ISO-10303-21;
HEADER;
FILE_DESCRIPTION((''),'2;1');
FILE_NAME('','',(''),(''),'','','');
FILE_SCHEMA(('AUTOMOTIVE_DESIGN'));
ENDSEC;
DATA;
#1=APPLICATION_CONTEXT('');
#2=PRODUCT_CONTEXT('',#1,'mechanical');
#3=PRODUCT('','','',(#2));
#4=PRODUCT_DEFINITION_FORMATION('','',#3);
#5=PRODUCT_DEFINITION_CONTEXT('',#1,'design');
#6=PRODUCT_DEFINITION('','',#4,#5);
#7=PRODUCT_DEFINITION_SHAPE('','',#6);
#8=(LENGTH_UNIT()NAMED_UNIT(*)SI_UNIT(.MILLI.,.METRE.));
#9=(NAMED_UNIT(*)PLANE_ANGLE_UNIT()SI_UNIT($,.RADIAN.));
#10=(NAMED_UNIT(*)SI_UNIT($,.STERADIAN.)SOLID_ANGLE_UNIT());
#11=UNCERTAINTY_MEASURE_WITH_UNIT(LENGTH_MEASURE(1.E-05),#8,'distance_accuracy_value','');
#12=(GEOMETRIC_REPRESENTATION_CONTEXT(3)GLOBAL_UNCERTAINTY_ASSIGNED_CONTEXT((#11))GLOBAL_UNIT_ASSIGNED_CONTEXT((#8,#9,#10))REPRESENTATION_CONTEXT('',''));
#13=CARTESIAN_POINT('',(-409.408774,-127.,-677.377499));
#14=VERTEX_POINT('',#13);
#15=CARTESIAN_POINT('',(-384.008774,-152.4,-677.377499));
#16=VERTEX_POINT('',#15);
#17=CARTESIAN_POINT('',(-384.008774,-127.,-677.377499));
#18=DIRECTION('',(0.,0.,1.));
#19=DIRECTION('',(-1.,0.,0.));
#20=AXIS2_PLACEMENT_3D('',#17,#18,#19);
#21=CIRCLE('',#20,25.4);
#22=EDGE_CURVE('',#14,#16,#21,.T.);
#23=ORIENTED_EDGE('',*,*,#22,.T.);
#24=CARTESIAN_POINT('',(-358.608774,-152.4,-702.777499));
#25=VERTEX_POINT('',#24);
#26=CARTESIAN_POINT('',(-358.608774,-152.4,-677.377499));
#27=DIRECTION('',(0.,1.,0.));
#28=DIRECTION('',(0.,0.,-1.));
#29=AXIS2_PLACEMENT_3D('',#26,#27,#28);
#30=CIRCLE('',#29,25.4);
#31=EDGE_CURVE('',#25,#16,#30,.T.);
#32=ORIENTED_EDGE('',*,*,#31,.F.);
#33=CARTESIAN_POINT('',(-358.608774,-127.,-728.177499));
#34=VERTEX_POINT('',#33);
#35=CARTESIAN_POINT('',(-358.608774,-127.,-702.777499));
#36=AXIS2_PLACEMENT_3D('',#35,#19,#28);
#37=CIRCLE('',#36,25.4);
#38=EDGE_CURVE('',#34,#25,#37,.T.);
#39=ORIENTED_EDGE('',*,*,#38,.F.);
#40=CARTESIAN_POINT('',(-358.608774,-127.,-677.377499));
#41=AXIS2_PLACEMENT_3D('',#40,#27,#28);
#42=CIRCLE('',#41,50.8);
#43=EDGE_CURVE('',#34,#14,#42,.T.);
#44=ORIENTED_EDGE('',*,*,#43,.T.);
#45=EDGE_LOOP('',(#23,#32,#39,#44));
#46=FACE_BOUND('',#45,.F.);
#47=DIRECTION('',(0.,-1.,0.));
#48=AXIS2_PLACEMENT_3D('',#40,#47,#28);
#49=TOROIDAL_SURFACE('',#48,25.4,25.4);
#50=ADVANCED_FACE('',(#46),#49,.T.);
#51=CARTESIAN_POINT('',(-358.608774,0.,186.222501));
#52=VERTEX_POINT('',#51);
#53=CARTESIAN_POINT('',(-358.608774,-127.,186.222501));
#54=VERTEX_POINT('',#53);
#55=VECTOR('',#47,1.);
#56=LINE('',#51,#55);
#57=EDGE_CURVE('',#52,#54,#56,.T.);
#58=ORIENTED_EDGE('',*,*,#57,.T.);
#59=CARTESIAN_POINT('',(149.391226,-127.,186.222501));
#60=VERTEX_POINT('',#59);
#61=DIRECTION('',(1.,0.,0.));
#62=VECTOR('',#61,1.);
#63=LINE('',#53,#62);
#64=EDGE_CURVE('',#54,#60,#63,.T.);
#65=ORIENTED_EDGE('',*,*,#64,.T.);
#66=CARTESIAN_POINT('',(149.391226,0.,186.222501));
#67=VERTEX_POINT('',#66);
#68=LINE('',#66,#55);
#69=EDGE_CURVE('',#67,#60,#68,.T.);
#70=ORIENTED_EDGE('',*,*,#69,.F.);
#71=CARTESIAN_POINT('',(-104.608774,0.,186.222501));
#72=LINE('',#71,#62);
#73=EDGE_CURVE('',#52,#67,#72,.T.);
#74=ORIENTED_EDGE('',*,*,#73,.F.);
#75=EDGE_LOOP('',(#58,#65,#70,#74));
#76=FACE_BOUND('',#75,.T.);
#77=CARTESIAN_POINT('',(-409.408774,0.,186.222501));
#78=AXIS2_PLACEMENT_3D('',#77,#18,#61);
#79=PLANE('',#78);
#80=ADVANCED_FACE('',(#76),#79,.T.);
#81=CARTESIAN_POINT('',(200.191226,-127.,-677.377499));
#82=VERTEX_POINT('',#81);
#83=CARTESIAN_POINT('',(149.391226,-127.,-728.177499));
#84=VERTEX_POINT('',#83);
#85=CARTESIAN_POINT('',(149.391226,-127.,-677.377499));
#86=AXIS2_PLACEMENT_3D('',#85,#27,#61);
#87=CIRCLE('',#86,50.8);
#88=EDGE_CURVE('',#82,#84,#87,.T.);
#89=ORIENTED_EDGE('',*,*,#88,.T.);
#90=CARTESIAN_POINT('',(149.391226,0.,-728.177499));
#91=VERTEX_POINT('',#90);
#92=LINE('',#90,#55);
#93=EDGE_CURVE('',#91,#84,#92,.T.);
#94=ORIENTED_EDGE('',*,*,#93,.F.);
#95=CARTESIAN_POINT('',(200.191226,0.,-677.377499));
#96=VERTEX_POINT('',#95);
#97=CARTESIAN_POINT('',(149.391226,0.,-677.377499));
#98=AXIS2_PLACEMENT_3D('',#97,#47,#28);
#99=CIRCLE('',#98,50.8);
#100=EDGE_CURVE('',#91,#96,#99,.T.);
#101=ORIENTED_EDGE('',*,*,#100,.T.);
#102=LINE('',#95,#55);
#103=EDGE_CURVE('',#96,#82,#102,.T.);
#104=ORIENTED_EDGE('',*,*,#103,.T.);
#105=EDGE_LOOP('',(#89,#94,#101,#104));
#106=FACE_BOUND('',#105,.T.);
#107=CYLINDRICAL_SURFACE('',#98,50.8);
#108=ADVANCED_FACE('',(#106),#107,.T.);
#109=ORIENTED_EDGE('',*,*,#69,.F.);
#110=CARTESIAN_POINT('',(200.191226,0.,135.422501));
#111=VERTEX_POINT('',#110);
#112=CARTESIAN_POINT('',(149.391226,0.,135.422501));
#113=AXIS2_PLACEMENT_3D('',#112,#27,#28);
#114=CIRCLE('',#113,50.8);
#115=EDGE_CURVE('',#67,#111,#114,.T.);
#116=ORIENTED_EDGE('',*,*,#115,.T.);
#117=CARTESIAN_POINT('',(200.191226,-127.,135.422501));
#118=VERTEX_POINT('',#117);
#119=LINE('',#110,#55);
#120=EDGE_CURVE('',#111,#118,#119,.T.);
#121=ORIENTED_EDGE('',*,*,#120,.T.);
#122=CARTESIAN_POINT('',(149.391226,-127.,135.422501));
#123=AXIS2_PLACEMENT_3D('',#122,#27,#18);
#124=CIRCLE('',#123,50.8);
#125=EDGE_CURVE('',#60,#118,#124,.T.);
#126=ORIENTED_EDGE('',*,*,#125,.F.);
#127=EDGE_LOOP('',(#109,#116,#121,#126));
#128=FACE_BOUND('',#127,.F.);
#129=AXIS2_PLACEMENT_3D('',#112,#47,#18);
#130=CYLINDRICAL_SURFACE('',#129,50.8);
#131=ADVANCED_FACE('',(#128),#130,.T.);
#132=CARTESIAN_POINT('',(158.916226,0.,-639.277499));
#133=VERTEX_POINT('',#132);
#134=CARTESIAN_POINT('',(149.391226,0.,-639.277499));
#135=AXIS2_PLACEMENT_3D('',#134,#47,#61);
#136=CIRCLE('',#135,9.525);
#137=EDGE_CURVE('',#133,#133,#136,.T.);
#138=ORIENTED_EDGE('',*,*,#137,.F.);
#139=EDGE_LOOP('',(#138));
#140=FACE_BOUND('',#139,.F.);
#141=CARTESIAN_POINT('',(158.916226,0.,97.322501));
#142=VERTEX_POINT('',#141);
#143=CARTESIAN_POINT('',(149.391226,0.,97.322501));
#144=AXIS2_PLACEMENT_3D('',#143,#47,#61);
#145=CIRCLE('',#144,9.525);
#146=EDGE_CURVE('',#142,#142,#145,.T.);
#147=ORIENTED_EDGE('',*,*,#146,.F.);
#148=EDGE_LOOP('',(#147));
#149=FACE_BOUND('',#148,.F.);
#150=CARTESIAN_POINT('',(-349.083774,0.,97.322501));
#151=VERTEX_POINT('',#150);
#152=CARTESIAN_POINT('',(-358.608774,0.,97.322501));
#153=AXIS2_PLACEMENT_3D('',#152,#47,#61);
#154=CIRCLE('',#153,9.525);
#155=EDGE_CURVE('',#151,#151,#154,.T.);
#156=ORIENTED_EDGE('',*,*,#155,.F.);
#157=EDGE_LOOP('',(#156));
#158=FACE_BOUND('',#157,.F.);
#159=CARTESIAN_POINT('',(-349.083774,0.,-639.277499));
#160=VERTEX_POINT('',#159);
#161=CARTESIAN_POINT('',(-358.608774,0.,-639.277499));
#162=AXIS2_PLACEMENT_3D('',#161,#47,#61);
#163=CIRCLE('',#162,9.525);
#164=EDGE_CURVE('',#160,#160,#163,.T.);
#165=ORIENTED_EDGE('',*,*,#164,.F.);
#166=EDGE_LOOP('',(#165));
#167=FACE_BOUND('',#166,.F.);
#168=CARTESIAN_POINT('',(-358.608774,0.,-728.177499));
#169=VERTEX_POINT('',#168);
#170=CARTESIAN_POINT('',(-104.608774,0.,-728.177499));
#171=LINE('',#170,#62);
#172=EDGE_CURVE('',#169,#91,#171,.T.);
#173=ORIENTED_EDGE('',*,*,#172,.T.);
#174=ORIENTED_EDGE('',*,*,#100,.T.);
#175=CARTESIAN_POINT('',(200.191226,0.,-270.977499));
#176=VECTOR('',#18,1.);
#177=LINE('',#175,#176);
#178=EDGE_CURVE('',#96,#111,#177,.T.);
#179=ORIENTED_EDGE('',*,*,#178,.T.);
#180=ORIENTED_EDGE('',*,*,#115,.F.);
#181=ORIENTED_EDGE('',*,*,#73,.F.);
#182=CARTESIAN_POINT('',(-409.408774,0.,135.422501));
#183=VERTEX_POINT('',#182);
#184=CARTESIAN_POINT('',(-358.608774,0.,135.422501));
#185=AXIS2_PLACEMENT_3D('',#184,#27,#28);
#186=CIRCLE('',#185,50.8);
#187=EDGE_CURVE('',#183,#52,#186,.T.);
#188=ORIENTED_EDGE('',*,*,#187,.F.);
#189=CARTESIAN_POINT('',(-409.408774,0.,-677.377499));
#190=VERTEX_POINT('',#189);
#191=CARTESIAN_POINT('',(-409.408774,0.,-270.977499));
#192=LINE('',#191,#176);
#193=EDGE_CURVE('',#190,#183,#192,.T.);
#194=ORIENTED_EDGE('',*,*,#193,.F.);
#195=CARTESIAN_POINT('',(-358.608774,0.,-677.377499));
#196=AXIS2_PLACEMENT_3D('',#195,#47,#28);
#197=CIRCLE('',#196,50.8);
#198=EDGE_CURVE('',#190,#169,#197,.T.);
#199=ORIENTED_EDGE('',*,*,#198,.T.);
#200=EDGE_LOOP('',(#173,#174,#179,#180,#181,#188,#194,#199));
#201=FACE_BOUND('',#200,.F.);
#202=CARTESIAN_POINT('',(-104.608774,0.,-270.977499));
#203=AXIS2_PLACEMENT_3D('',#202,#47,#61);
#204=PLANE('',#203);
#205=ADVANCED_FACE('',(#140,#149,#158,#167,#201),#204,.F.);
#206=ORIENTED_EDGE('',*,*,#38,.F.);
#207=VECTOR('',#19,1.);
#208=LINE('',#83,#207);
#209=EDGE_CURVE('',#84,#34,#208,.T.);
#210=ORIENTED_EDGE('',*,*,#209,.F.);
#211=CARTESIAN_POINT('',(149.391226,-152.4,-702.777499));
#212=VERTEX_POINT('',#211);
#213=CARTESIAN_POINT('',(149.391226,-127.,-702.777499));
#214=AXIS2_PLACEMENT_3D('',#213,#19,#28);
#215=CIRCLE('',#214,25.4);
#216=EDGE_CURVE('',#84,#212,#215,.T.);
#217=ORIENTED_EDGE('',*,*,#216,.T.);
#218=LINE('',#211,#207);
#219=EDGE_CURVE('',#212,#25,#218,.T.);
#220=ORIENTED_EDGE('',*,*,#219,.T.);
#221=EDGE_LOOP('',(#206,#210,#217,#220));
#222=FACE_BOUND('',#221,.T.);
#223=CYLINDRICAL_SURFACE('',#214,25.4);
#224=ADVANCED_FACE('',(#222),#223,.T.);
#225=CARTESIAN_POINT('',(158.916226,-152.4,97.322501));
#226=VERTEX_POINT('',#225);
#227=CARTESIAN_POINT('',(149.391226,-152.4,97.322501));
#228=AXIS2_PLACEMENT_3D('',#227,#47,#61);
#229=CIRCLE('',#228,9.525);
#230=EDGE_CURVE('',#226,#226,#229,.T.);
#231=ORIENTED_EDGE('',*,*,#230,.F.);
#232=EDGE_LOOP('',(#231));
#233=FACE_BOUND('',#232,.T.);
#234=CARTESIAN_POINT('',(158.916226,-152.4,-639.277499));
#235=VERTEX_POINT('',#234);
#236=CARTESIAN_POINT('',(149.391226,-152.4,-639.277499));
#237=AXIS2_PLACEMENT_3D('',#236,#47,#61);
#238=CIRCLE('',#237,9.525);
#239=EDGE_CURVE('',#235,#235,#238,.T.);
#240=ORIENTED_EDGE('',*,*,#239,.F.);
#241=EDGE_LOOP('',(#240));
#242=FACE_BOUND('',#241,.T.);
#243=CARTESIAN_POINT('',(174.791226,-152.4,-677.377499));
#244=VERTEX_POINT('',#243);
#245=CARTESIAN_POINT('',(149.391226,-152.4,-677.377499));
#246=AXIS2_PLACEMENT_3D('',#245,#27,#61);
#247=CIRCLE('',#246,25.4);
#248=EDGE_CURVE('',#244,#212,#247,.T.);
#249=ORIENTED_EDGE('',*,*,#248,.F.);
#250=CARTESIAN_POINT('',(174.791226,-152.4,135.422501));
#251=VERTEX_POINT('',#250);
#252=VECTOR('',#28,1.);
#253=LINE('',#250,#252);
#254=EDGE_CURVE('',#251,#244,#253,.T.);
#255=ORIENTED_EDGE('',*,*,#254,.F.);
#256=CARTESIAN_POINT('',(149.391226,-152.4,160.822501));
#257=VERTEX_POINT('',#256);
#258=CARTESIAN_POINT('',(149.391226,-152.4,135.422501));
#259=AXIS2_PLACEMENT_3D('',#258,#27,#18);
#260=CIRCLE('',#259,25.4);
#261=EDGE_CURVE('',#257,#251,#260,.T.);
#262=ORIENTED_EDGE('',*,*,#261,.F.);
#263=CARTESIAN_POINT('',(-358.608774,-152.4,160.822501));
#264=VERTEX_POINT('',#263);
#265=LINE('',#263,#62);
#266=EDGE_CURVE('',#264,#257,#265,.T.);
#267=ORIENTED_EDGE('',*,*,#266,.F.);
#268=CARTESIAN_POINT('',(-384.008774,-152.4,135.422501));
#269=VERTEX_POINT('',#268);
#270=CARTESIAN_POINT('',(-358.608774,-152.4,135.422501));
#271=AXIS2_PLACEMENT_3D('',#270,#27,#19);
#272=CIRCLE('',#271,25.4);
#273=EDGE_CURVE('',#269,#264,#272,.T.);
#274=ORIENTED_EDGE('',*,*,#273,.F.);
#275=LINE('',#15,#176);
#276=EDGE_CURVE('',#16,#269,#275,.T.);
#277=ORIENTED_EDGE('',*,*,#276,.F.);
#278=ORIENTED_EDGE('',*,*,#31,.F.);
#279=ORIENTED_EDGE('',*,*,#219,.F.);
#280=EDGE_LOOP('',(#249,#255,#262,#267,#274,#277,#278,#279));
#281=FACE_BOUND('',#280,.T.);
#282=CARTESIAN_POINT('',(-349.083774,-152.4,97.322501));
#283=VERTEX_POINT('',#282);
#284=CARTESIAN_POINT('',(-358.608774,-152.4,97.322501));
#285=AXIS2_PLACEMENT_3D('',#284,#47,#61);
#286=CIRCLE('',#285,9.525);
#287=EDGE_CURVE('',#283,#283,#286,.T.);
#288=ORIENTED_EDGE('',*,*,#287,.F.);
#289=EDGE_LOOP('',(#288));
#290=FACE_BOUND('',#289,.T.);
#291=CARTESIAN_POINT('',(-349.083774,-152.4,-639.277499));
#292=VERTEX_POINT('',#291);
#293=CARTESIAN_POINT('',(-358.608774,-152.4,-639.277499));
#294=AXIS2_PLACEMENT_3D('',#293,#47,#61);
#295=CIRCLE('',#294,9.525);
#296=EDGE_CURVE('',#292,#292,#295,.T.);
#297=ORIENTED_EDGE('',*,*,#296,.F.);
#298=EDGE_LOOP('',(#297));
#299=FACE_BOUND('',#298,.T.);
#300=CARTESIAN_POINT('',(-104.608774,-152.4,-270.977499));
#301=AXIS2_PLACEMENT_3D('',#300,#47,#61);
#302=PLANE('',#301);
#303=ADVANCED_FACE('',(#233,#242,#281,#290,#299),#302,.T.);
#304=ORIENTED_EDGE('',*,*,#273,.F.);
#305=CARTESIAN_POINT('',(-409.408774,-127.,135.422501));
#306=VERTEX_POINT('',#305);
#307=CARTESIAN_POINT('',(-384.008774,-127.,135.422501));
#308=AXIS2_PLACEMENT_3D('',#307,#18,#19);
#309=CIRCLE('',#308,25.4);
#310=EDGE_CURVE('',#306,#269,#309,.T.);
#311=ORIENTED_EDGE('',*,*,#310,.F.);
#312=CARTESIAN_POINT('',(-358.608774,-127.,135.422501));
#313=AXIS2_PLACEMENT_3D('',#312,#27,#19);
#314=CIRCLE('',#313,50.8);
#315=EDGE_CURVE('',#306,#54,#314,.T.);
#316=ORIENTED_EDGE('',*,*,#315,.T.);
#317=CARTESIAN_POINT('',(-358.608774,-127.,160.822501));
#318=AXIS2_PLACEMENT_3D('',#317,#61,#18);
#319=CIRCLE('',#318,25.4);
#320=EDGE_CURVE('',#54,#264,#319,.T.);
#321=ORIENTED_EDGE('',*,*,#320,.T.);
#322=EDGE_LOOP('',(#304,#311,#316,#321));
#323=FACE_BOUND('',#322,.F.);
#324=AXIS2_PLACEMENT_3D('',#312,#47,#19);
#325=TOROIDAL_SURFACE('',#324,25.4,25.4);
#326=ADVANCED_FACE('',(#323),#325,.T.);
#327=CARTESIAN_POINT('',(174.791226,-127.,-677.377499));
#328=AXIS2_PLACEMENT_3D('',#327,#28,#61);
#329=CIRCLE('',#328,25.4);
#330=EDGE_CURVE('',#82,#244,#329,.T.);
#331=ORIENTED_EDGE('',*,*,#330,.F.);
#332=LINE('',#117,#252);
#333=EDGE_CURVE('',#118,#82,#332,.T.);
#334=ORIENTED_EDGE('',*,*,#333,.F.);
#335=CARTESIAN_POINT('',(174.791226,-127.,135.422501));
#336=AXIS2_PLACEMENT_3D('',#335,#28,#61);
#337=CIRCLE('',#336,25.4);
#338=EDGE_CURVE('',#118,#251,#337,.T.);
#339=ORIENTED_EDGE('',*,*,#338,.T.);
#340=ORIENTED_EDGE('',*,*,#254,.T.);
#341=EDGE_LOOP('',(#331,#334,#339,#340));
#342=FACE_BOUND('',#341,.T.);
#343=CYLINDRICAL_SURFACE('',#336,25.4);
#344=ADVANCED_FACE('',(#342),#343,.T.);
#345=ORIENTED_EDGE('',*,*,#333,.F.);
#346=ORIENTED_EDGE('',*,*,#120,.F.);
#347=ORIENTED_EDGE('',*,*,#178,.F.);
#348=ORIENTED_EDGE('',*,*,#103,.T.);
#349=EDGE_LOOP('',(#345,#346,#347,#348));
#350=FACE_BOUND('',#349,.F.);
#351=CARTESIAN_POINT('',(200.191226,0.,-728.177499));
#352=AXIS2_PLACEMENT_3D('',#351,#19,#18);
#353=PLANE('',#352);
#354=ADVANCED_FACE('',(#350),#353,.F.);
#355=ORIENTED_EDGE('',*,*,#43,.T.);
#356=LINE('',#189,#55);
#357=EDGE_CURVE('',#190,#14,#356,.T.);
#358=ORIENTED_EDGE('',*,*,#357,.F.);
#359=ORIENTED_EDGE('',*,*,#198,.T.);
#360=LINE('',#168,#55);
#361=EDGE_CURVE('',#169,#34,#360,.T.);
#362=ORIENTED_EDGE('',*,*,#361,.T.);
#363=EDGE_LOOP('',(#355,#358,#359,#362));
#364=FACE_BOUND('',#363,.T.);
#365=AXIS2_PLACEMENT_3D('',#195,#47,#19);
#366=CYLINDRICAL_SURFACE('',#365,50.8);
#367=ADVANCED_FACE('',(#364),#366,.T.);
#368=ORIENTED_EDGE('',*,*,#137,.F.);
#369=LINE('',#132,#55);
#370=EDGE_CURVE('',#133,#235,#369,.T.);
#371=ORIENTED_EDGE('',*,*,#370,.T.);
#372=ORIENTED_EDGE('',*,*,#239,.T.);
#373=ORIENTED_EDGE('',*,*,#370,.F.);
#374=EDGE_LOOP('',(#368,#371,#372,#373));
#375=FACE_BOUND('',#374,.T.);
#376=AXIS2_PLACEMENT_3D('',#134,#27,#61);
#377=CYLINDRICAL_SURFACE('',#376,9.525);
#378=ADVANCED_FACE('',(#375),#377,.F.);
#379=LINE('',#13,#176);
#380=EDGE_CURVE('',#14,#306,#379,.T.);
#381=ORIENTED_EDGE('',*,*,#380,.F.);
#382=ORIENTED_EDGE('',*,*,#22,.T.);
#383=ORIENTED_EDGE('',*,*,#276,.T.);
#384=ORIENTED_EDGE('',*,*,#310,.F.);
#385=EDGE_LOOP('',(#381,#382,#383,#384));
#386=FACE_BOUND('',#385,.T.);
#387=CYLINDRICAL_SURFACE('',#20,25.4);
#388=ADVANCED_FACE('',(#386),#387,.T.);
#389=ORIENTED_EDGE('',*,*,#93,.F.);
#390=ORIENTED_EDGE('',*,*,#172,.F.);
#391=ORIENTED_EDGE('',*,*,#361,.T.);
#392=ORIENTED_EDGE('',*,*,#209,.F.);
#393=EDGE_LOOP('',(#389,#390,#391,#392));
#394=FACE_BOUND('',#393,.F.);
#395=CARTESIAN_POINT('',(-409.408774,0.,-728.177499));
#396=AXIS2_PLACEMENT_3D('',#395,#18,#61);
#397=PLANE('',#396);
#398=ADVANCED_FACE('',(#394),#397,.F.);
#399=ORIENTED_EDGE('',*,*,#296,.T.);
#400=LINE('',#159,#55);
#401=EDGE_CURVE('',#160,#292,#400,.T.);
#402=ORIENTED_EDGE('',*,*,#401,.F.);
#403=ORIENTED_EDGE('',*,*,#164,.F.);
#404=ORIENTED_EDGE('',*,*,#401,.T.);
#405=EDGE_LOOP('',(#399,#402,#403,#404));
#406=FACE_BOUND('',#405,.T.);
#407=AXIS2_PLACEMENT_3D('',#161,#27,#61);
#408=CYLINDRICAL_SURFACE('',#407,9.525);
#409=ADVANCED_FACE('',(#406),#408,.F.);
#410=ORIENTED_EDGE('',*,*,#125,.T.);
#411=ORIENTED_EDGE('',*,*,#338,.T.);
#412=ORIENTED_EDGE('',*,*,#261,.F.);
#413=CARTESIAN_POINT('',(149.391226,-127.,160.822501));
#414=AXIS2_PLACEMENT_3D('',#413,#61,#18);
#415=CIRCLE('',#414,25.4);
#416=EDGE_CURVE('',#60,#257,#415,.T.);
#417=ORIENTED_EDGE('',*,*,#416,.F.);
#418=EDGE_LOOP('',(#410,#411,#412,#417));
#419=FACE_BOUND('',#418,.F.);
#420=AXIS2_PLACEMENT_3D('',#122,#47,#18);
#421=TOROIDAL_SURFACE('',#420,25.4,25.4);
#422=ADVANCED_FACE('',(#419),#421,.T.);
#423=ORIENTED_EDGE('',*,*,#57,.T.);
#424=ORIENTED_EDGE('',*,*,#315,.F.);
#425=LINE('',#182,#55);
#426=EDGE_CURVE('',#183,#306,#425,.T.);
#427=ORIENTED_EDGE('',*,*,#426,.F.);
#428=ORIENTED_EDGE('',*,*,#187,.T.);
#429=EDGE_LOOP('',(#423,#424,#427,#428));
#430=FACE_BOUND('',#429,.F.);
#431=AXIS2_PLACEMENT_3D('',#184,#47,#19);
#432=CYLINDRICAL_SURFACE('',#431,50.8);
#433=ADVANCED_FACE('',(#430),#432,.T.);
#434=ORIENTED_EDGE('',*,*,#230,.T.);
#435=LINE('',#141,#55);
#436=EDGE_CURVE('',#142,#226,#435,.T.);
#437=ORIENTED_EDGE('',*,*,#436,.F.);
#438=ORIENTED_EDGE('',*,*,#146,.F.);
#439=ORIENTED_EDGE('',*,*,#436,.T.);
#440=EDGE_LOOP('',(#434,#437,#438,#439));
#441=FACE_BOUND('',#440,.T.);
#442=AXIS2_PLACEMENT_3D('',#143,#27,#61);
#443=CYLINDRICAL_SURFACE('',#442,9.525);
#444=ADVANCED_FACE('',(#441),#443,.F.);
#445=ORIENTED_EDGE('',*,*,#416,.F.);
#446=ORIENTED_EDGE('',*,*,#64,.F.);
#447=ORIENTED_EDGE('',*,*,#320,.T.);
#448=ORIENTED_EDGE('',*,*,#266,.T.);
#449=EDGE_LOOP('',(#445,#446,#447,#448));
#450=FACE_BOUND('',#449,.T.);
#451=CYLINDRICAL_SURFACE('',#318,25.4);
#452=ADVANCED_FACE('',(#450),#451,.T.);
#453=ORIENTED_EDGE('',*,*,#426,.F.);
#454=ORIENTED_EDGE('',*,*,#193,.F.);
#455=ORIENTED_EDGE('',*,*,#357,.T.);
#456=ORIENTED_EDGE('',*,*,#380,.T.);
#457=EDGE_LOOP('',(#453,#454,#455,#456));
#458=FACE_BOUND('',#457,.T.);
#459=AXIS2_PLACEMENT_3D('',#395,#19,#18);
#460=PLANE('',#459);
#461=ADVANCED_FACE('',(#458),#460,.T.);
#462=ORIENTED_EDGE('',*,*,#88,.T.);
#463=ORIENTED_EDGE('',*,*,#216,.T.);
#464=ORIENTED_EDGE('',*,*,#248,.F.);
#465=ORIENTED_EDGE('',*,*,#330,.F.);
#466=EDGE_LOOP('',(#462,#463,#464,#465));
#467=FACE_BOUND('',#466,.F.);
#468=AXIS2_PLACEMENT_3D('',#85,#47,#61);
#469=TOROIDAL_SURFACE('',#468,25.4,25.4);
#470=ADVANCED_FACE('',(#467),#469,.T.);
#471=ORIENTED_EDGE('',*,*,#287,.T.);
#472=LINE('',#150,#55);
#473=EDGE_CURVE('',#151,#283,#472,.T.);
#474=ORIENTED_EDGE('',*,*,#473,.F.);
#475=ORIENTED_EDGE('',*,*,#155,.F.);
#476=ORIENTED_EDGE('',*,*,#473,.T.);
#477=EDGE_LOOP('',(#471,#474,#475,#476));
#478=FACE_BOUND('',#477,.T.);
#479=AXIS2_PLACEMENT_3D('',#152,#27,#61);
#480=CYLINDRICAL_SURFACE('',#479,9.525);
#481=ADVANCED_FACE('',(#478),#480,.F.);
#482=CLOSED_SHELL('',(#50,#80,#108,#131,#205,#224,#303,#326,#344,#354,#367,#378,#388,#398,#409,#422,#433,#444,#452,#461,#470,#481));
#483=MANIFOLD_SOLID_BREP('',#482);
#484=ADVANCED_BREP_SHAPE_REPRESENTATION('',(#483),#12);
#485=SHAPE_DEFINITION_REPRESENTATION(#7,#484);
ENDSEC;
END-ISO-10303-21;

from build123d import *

# Parameters (mm, degrees)
F0_W     = 609.6
F0_H     = 914.4
F0_R     = 9.525
F1_DEPTH = 152.4
F2_R     = 50.8
F3_R     = 25.4


with BuildPart() as f1:
    # F0 (on Front) → F1 (new body)
    with BuildSketch(Plane.XZ):
        with Locations((-104.6087741801, -270.9774990136)):
            Rectangle(F0_W, F0_H)
        with Locations((-358.6087741801, -639.2774990136)):
            Circle(F0_R, mode=Mode.SUBTRACT)
        with Locations((149.3912258199, -639.2774990136)):
            Circle(F0_R, mode=Mode.SUBTRACT)
        with Locations((-358.6087741801, 97.3225009864)):
            Circle(F0_R, mode=Mode.SUBTRACT)
        with Locations((149.3912258199, 97.3225009864)):
            Circle(F0_R, mode=Mode.SUBTRACT)
    extrude(amount=F1_DEPTH)

    # F2
    f2_edges = [f1.edges().sort_by_distance(p)[0] for p in [
        (200.191226, -76.2, -728.177499),
        (200.191226, -76.2, 186.222501),
        (-409.408774, -76.2, -728.177499),
        (-409.408774, -76.2, 186.222501),
    ]]
    fillet(f2_edges, radius=F2_R)

    # F3
    f3_edges = [f1.edges().sort_by_distance(p)[0] for p in [
        (-409.408774, -152.4, -270.977499),
        (-394.529799, -152.4, -713.298523),
        (-104.608774, -152.4, -728.177499),
        (185.31225, -152.4, -713.298523),
        (200.191226, -152.4, -270.977499),
        (-104.608774, -152.4, 186.222501),
        (185.31225, -152.4, 171.343525),
        (-394.529799, -152.4, 171.343525),
    ]]
    fillet(f3_edges, radius=F3_R)


solid = f1.part
